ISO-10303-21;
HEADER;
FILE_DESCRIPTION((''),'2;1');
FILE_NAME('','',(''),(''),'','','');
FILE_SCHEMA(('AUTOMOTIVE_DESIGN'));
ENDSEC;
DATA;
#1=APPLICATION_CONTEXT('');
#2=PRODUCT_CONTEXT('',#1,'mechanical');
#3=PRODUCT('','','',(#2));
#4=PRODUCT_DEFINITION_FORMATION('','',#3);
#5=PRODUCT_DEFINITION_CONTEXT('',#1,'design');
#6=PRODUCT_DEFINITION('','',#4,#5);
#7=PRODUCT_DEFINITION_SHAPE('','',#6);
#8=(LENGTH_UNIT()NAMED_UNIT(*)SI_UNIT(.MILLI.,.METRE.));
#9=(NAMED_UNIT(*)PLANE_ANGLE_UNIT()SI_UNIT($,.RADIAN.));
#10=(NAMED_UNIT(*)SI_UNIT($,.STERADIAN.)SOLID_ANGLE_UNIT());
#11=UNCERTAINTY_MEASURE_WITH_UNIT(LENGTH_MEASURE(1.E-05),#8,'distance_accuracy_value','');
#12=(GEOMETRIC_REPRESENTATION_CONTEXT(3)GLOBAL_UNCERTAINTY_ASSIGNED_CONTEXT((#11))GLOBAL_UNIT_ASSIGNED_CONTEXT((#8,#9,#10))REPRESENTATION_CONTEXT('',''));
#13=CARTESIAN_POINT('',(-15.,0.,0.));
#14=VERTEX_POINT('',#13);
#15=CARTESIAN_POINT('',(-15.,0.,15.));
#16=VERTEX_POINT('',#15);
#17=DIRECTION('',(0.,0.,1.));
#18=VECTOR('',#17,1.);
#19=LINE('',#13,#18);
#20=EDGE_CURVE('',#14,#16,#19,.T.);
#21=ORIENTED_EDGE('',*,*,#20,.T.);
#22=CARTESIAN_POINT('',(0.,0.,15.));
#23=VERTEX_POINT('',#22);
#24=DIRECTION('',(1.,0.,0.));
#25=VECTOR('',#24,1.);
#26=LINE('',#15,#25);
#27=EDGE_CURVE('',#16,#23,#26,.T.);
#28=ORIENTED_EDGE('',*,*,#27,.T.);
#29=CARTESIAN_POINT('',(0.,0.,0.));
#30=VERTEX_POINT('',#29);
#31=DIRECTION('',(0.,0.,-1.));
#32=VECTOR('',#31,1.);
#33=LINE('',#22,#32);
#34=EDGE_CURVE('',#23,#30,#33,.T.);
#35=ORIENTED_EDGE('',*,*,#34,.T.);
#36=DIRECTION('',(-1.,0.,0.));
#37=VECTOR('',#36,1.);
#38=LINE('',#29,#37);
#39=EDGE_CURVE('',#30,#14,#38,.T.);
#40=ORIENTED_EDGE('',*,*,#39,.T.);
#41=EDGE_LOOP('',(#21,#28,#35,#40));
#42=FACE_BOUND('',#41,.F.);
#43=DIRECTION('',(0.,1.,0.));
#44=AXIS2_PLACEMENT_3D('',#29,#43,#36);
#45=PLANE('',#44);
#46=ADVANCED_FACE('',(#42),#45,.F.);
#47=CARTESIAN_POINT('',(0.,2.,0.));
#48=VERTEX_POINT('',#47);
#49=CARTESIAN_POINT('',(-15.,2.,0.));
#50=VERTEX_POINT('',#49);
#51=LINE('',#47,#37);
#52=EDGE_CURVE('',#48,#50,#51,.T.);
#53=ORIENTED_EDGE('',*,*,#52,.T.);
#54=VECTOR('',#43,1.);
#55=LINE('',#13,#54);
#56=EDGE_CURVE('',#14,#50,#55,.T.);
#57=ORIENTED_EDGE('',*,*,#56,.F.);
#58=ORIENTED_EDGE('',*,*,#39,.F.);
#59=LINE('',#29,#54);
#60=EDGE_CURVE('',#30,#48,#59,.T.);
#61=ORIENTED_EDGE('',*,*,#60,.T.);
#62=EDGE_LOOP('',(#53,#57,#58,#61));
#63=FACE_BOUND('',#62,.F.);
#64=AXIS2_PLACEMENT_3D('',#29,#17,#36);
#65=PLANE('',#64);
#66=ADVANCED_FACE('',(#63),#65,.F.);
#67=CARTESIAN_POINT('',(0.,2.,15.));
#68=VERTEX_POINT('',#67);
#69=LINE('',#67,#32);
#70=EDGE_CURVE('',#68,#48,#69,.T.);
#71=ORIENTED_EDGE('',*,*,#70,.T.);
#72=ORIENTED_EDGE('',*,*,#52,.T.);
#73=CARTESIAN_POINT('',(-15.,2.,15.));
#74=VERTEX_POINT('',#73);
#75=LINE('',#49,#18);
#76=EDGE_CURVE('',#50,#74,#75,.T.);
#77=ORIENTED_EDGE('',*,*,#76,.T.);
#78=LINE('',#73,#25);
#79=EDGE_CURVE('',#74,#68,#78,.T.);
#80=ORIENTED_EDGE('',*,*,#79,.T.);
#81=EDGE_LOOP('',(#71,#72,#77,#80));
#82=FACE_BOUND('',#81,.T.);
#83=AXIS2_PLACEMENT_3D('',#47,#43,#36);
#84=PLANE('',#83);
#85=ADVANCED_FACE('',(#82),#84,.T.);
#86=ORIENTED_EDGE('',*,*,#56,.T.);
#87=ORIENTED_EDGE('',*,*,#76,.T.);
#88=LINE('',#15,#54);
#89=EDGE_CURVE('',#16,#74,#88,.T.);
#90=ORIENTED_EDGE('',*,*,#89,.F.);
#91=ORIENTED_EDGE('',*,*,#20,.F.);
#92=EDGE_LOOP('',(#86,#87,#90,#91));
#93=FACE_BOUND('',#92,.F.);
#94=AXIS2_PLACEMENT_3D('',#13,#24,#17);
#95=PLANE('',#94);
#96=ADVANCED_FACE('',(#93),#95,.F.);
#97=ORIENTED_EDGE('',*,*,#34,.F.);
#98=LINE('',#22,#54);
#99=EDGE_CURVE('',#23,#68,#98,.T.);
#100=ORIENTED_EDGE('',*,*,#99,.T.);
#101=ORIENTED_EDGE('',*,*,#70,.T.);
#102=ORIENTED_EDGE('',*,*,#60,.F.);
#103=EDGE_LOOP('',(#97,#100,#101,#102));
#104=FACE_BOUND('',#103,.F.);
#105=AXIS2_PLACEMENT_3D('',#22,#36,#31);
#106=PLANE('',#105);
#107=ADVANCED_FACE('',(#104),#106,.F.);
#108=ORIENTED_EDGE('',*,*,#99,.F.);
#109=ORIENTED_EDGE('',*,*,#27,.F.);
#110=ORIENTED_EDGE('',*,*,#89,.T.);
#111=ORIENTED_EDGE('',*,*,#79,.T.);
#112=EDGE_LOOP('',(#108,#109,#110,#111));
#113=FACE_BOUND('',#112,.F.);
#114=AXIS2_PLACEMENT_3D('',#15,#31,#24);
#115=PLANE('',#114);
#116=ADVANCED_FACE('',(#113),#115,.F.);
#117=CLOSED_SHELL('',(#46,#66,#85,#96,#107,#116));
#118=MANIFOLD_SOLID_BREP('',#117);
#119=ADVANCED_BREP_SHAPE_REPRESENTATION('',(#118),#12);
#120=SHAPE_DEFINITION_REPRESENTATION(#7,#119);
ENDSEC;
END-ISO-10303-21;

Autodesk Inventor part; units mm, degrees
ref_plane "YZ Plane" through (0, 0, 0) normal (1, 0, 0) x (0, 1, 0)
ref_plane "XZ Plane" through (0, 0, 0) normal (0, 1, 0) x (-1, 0, 0)
ref_plane "XY Plane" through (0, 0, 0) normal (0, 0, 1) x (1, 0, 0)
sketch "Sketch1" plane through (0, 0, 0) normal (0, 1, 0) x (-1, 0, 0)
  line L0 (0, 0) -> (15, 0)
  line L1 (15, 0) -> (15, 15)
  line L2 (15, 15) -> (0, 15)
  line L3 (0, 15) -> (0, 0)
  dimension "d0" = 15
  dimension "d1" = 15
extrude "Extrusion1" add sketch "Sketch1" along normal blind 2
equation "\"BendRadius\" = Thickness"
equation "\"BendReliefWidth\" = Thickness"
equation "\"BendReliefDepth\" = 0.5 * Thickness"
equation "\"CornerReliefSize\" = 4 * Thickness"
equation "\"MinimumRemnant\" = 2 * Thickness"
equation "\"TransitionRadius\" = BendRadius"
equation "\"JacobiRadiusSize\" = BendRadius"
equation "\"GapSize\" = Thickness"
equation "\"Thickness\" = 3.048"
properties part number "PLEXY 15X15" material "Glass"
